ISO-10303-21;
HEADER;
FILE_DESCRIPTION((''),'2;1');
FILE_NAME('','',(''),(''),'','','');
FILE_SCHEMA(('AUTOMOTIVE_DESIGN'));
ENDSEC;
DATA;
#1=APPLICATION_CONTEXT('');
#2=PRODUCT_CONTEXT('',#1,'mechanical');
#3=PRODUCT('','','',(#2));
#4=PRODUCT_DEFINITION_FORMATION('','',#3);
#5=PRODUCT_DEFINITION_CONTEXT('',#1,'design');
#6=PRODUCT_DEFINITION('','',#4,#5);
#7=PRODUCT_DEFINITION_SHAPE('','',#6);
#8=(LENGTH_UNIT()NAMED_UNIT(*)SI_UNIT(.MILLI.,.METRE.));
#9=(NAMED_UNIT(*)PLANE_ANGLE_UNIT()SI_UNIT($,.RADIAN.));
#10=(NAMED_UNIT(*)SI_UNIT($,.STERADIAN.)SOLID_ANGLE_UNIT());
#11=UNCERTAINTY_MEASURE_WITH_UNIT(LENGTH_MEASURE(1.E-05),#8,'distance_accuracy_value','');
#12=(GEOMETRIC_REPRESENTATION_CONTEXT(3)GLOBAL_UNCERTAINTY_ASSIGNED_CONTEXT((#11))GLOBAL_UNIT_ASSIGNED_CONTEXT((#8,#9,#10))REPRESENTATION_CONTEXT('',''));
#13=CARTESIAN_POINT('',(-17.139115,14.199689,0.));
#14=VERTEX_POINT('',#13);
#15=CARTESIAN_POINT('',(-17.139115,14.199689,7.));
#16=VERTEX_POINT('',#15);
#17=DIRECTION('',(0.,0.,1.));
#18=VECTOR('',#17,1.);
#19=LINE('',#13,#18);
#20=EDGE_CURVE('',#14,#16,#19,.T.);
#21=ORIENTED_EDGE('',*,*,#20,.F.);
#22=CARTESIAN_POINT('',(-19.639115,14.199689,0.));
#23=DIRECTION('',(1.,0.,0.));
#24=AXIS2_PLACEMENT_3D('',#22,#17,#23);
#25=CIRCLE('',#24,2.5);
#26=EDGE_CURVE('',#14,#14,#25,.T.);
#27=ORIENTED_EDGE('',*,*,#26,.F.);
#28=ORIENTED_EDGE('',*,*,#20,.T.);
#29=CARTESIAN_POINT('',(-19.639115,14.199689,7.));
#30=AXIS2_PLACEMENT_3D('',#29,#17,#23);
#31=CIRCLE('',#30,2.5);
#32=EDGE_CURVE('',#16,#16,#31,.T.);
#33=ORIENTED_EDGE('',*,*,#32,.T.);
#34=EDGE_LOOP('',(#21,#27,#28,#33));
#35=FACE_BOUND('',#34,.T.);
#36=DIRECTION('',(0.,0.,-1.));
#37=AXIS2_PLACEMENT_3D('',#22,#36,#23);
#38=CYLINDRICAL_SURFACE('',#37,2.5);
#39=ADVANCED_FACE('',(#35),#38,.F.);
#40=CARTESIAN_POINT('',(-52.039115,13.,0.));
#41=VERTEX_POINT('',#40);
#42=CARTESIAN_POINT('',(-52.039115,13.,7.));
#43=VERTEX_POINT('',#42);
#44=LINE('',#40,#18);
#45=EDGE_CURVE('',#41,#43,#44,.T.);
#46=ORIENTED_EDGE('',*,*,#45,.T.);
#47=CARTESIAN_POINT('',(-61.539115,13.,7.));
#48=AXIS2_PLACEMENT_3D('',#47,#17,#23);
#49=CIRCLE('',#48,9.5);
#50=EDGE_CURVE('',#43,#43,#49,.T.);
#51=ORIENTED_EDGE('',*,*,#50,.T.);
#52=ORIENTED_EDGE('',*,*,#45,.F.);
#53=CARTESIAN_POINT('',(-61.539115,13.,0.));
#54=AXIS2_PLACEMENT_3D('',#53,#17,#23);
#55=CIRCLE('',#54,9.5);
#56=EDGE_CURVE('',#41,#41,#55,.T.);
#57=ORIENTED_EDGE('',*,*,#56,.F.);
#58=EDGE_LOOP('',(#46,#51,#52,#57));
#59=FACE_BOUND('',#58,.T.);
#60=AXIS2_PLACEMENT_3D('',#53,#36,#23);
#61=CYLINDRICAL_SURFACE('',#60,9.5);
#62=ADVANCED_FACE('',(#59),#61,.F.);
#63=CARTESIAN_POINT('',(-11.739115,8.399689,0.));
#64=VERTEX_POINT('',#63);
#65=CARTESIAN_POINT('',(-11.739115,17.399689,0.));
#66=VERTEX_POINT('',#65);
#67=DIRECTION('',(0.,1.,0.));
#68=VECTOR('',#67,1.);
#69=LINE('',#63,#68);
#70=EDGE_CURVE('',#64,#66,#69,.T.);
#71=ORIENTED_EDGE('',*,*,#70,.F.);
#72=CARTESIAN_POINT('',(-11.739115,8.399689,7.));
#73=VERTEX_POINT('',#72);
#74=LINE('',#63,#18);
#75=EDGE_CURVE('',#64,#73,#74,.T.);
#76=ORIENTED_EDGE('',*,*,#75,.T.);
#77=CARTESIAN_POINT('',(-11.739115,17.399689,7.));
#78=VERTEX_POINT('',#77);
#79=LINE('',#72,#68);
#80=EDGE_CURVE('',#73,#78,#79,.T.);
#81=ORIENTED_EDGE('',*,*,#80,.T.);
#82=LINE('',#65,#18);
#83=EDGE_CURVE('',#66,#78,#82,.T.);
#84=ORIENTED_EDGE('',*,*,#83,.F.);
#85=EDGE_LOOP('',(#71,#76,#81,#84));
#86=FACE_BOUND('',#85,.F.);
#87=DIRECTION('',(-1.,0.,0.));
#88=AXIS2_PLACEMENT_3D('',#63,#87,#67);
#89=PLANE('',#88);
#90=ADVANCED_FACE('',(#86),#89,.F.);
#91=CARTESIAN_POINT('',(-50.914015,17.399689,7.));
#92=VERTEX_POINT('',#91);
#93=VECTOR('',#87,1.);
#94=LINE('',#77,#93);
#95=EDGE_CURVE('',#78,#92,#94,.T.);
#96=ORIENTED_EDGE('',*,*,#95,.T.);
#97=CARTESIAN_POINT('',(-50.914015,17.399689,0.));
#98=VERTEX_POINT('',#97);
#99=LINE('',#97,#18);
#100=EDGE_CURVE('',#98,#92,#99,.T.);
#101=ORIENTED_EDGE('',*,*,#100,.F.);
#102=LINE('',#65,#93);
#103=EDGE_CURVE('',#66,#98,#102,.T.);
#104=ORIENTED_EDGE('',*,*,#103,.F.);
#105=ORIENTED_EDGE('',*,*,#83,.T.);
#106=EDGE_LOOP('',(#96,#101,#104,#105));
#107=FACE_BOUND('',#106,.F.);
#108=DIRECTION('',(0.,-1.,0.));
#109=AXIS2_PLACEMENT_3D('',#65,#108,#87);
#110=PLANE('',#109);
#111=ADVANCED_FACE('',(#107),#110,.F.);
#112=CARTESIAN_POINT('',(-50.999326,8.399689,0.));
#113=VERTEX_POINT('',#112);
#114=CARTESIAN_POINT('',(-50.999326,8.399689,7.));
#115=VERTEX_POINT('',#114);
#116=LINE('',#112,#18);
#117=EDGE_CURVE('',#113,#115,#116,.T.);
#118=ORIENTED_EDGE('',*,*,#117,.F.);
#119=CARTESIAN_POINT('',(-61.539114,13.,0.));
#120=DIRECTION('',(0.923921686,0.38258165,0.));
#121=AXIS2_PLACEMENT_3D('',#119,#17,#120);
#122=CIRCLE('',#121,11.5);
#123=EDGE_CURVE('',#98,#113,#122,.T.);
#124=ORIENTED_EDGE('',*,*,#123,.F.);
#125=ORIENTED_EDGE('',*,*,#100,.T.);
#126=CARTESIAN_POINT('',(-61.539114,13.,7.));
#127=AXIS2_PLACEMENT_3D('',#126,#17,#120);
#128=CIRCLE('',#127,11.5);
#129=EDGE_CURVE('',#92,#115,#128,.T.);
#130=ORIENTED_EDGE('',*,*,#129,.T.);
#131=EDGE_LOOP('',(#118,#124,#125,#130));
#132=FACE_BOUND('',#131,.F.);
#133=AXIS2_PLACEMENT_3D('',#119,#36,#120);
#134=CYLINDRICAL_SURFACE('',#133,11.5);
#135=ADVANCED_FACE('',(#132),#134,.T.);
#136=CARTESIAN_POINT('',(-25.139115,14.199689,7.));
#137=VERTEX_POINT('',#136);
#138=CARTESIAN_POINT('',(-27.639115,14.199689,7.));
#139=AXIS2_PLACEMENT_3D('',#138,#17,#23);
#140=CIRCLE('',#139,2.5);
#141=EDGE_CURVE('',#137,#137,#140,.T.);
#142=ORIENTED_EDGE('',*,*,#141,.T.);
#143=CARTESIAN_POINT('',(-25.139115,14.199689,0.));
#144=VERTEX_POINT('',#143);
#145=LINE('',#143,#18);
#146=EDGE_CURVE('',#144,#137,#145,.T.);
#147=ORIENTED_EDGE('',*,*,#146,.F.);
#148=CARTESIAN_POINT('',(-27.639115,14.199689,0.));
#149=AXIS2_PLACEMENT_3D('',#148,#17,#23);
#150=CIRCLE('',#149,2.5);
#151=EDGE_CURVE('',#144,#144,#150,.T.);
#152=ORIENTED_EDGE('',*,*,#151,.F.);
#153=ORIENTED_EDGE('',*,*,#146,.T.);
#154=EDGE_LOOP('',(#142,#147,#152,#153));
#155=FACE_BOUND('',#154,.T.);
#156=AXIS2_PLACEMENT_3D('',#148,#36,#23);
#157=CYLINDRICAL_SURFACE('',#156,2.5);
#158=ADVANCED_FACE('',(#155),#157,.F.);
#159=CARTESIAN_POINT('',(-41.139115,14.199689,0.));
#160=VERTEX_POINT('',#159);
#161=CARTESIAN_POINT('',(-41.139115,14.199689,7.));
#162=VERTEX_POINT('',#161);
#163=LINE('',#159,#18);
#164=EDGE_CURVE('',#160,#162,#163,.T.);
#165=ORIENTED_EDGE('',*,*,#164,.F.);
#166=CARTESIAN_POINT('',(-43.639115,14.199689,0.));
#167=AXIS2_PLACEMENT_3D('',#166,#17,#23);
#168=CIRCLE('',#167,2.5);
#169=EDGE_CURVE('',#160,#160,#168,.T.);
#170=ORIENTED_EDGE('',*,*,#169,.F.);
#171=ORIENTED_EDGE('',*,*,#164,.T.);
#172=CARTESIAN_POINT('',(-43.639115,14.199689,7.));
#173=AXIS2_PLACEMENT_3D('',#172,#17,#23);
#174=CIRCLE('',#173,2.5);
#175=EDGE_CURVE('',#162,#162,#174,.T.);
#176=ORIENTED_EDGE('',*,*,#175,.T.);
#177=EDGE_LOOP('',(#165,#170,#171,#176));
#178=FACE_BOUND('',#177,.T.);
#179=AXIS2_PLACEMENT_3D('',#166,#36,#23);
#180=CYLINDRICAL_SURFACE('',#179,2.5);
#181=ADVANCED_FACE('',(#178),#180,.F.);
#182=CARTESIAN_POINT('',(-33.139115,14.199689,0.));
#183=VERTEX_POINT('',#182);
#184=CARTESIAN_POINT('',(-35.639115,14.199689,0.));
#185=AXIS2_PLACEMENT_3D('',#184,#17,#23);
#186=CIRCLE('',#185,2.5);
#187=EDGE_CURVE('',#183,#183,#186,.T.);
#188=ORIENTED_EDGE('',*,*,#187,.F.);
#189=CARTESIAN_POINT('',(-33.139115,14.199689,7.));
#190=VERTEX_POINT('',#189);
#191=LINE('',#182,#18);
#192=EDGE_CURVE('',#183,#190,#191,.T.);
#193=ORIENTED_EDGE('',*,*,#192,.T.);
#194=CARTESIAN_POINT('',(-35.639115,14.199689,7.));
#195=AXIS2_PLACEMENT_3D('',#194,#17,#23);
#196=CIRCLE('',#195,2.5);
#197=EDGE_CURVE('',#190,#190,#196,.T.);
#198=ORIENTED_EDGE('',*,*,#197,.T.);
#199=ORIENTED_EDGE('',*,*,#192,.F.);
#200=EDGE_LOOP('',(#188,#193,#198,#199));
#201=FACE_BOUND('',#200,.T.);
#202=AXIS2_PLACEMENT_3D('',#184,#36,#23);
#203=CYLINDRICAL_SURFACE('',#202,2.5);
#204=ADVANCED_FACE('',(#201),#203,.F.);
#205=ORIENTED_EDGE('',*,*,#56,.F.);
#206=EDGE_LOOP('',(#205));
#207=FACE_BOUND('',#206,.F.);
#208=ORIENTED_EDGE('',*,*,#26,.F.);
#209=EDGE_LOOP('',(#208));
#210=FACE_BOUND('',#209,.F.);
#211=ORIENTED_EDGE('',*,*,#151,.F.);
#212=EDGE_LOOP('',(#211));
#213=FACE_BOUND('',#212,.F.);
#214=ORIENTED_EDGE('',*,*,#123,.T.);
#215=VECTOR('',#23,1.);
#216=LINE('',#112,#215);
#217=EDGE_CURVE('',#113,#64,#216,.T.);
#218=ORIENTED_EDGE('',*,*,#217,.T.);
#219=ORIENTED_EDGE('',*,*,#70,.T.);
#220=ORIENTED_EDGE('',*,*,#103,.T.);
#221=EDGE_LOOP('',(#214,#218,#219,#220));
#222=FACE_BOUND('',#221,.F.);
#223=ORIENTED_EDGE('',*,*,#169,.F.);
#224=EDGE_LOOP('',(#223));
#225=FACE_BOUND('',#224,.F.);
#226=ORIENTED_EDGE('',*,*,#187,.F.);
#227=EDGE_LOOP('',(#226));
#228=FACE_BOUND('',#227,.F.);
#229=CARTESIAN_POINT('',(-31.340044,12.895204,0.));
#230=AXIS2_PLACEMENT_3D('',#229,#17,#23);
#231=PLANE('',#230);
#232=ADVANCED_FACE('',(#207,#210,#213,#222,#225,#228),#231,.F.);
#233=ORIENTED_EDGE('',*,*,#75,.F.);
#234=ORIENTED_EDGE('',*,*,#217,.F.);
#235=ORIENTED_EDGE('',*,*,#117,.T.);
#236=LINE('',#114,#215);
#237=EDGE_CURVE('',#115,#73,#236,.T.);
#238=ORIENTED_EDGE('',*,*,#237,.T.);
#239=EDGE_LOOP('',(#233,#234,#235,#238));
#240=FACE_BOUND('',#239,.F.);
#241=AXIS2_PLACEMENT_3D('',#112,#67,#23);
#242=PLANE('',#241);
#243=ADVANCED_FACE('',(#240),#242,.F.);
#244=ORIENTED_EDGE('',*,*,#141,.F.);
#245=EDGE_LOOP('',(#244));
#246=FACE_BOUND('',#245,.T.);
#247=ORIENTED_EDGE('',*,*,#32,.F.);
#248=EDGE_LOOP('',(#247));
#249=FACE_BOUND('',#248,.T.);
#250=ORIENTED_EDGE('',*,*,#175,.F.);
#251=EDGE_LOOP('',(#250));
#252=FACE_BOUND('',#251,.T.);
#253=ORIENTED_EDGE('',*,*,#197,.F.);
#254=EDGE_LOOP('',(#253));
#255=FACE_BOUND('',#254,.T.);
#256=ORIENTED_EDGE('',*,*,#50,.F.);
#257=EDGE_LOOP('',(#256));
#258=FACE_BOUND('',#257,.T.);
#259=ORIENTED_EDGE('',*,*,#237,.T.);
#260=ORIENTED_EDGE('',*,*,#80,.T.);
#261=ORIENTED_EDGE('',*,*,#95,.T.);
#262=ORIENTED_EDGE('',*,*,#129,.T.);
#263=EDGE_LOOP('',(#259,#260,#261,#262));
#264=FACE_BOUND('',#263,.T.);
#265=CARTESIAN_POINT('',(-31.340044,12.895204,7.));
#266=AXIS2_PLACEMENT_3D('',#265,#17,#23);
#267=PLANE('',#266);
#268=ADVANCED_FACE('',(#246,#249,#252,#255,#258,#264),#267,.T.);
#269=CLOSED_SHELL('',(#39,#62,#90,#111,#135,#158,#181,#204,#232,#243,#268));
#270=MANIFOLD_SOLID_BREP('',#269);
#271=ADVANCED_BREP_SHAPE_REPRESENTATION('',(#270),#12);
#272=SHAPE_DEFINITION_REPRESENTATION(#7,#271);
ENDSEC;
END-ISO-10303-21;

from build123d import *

# Parameters (mm, degrees)
F0_R     = 2.5
F0_R_2   = 9.5
F1_DEPTH = 7


with BuildPart() as f1:
    # F0 (on Top) → F1 (new body)
    with BuildSketch(Plane.XY):
        with BuildLine():
            Line((-11.739115, 17.399689), (-50.914015, 17.399689))
            ThreePointArc((-50.914015, 17.399689), (-50.25996, 15.242918), (-50.039115, 13))
            ThreePointArc((-50.039115, 13), (-50.281727, 10.650273), (-50.999326, 8.399689))
            Line((-50.999326, 8.399689), (-11.739115, 8.399689))
            Line((-11.739115, 8.399689), (-11.739115, 17.399689))
        make_face()
        with Locations((-43.639115, 14.199689)):
            Circle(F0_R, mode=Mode.SUBTRACT)
        with Locations((-35.639115, 14.199689)):
            Circle(F0_R, mode=Mode.SUBTRACT)
        with Locations((-27.639115, 14.199689)):
            Circle(F0_R, mode=Mode.SUBTRACT)
        with Locations((-19.639115, 14.199689)):
            Circle(F0_R, mode=Mode.SUBTRACT)
        with BuildLine():
            Line((-51.539115, 8.399689), (-51.539115, 17.399689))
            Line((-51.539115, 17.399689), (-50.914015, 17.399689))
            ThreePointArc((-50.914015, 17.399689), (-73.038598, 13.109003), (-50.999326, 8.399689))
            Line((-50.999326, 8.399689), (-51.539115, 8.399689))
        make_face()
        with Locations((-61.539115, 13)):
            Circle(F0_R_2, mode=Mode.SUBTRACT)
        with BuildLine():
            Line((-50.914015, 17.399689), (-51.539115, 17.399689))
            Line((-51.539115, 17.399689), (-51.539115, 8.399689))
            Line((-51.539115, 8.399689), (-50.999326, 8.399689))
            ThreePointArc((-50.999326, 8.399689), (-50.281727, 10.650273), (-50.039115, 13))
            ThreePointArc((-50.039115, 13), (-50.25996, 15.242918), (-50.914015, 17.399689))
        make_face()
    extrude(amount=F1_DEPTH)


solid = f1.part
